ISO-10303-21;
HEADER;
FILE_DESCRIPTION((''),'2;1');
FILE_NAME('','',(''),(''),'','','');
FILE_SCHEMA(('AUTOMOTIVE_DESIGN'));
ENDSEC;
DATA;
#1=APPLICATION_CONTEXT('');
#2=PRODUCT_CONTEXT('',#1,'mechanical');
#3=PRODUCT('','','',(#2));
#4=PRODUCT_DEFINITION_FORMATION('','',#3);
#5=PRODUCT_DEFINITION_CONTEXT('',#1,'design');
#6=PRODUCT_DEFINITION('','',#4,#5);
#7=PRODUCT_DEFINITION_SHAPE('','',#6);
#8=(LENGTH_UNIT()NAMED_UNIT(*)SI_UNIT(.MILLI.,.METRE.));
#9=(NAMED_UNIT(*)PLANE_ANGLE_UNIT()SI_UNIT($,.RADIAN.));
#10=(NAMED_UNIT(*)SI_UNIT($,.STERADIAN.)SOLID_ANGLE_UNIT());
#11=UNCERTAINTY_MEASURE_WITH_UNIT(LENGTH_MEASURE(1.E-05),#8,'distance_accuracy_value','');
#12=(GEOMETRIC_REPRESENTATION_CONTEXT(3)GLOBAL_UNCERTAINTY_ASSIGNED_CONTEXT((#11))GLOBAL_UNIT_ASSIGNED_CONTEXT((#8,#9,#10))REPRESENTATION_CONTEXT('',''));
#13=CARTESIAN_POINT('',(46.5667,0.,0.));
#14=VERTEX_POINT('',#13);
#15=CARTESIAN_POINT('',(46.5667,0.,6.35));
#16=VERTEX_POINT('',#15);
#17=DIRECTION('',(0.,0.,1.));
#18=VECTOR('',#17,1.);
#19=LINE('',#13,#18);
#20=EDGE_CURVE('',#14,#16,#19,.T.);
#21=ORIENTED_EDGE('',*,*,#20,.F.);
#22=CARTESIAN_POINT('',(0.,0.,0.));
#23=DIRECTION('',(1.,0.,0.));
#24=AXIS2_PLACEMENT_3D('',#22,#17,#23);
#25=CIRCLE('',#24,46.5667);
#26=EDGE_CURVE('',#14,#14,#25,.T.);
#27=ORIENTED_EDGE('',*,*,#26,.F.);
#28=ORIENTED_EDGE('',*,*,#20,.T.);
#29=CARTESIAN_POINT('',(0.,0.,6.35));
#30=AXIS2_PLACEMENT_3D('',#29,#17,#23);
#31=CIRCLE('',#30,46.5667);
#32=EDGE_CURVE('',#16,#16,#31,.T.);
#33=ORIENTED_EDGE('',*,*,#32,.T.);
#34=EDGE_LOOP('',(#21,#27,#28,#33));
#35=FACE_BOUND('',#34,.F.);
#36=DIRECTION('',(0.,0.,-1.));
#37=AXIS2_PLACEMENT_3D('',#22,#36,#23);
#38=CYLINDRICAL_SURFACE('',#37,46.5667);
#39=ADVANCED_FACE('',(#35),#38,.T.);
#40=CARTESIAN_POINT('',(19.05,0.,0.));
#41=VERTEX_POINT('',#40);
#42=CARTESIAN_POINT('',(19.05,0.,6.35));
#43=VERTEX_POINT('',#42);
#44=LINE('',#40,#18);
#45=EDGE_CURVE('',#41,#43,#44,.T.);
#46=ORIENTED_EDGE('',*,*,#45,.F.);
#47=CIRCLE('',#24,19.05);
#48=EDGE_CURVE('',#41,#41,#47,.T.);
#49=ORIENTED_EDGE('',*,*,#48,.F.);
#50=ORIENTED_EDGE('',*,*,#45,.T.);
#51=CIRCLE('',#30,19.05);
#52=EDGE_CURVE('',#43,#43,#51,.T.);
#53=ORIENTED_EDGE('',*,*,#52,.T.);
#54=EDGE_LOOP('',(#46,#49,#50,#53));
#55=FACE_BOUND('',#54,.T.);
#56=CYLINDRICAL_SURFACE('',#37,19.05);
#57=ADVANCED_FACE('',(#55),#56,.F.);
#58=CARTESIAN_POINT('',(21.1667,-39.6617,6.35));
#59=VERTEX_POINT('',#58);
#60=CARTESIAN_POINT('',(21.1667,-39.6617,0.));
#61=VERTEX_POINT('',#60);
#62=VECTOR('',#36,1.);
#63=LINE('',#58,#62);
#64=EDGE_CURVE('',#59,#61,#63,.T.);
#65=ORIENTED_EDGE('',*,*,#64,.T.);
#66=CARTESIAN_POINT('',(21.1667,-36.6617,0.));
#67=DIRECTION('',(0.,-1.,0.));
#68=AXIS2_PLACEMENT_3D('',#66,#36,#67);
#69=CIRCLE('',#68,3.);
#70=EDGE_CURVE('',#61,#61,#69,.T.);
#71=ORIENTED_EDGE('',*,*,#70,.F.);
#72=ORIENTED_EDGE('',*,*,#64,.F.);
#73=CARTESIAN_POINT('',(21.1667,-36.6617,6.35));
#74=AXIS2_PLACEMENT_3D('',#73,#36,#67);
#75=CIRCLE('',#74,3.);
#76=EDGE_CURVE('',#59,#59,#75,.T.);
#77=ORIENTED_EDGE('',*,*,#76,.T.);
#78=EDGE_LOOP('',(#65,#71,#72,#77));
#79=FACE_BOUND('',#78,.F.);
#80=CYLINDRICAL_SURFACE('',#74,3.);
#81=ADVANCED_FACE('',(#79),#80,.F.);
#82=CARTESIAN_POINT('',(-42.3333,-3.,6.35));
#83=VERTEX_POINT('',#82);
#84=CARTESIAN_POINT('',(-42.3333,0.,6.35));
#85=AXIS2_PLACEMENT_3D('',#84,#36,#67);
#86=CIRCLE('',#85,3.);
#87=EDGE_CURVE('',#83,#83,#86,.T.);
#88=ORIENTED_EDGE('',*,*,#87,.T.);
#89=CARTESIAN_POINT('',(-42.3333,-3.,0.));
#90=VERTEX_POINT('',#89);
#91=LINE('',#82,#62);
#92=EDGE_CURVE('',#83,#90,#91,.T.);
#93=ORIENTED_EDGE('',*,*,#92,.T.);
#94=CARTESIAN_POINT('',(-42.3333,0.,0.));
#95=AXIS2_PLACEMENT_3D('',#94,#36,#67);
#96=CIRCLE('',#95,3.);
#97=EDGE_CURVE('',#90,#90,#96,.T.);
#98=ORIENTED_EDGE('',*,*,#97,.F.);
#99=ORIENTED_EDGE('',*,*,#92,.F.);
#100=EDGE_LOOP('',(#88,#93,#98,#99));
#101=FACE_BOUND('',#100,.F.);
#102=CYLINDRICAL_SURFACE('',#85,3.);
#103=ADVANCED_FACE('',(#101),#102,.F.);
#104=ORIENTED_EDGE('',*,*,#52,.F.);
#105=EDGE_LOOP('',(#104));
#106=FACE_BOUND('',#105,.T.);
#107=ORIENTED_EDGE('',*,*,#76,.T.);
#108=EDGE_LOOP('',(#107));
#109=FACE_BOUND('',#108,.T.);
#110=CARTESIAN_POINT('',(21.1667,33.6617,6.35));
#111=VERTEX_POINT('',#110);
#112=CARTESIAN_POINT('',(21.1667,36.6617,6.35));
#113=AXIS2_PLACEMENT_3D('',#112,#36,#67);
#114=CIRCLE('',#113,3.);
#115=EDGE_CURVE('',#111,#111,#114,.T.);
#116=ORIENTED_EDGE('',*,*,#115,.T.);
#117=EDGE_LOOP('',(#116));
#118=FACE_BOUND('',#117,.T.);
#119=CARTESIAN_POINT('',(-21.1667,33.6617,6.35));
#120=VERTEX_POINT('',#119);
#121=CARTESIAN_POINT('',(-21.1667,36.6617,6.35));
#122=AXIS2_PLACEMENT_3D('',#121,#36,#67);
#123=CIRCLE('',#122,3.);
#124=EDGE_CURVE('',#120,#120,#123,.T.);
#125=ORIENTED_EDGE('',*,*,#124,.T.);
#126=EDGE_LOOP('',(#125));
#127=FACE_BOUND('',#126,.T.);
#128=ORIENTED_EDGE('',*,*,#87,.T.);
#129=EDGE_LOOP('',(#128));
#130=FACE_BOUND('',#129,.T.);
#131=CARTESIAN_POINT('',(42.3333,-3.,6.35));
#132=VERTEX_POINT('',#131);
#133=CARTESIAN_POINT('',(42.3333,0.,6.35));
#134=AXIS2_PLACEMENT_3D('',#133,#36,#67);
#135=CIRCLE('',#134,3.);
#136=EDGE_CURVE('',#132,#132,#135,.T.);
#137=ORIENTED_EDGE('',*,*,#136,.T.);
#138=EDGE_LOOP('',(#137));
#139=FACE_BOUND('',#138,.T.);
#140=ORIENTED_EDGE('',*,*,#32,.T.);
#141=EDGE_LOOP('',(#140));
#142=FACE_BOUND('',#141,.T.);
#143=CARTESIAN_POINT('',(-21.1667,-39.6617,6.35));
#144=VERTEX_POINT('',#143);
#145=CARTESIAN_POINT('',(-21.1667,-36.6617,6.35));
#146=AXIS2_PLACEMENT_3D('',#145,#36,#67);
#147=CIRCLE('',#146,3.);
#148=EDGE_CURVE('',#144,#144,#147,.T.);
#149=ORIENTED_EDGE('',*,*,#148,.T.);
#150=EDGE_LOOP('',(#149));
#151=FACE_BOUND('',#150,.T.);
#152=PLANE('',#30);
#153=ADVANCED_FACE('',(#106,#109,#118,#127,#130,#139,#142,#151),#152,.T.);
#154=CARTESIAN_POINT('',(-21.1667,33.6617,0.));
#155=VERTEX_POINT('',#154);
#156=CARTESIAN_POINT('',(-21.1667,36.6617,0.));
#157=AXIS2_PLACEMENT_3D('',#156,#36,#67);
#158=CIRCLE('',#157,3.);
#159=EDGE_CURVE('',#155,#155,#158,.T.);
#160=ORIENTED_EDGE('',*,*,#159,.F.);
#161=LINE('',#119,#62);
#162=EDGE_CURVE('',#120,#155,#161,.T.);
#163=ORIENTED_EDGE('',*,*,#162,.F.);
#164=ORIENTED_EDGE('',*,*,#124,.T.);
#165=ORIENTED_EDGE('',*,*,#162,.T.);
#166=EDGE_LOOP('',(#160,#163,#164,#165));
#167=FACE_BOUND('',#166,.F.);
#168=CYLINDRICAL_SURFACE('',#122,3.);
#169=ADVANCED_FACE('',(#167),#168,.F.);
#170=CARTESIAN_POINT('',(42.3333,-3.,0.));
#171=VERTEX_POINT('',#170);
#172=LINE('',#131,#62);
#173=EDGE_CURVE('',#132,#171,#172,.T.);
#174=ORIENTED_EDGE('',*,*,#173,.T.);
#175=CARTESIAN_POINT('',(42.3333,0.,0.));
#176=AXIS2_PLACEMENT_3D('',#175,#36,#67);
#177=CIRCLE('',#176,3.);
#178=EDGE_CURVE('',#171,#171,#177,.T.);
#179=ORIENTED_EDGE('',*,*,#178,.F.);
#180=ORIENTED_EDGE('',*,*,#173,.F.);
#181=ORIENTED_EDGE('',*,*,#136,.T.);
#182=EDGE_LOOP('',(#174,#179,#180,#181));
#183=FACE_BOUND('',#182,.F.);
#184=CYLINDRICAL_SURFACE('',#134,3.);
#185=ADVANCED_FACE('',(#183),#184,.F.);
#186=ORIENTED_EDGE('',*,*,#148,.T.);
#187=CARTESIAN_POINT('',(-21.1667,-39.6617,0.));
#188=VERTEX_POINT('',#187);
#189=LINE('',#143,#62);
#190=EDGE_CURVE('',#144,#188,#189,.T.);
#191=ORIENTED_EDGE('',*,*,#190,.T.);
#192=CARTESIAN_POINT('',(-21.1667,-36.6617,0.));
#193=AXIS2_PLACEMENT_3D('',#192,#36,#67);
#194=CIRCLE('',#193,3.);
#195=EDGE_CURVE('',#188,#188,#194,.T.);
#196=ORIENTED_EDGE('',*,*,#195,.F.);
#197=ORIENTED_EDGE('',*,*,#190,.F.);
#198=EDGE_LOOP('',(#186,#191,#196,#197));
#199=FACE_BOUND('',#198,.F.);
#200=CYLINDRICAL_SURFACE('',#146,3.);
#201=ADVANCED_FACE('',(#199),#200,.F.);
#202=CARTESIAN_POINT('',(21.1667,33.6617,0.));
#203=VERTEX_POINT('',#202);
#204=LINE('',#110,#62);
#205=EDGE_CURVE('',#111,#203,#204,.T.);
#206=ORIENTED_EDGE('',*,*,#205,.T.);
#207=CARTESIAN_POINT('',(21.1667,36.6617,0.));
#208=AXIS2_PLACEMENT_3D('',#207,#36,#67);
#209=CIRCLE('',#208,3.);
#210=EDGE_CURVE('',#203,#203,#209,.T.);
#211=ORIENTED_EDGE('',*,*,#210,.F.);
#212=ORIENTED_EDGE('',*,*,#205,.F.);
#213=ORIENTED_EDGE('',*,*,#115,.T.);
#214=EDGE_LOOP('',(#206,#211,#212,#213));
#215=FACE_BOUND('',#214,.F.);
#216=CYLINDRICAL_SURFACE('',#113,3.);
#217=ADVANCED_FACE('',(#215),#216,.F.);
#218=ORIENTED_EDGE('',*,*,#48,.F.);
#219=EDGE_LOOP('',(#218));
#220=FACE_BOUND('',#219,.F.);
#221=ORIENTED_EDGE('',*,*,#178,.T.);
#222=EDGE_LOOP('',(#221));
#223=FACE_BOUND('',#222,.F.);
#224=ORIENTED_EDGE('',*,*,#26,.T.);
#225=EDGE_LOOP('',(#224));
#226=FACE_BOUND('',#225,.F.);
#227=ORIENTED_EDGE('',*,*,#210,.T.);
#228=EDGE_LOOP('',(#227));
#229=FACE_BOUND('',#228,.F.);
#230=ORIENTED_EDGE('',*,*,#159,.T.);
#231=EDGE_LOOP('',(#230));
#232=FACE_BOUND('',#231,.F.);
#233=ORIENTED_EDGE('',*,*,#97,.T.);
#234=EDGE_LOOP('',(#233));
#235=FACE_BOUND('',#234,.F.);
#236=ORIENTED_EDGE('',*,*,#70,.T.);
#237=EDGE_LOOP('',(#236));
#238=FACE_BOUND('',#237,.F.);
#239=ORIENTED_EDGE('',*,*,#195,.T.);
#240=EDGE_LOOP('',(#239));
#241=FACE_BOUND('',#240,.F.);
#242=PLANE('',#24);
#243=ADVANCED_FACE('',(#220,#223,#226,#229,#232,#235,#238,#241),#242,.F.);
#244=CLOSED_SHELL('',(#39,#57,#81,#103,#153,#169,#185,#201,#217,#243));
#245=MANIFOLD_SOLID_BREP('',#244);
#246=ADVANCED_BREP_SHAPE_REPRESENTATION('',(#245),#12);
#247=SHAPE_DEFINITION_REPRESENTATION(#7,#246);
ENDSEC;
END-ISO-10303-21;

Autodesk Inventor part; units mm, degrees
ref_plane "YZ Plane" through (0, 0, 0) normal (1, 0, 0) x (0, 1, 0)
ref_plane "XZ Plane" through (0, 0, 0) normal (0, 1, 0) x (-1, 0, 0)
ref_plane "XY Plane" through (0, 0, 0) normal (0, 0, 1) x (1, 0, 0)
sketch "Sketch1" plane through (0, 0, 0) normal (0, 0, 1) x (1, 0, 0)
  circle A0 centre (0, 0) radius 46.5667
  circle A1 centre (0, 0) radius 19.05
  dimension "d0" = 93.1333
  dimension "d1" = 38.1
extrude "Extrusion1" add sketch "Sketch1" along normal blind 6.35
sketch "Sketch2" plane through (0, 0, 6.35) normal (0, 0, 1) x (1, 0, 0)
  line L0 (21.1667, 36.6617) -> (42.3333, 0) construction
  line L1 (42.3333, 0) -> (21.1667, -36.6617) construction
  line L2 (21.1667, -36.6617) -> (-21.1667, -36.6617) construction
  line L3 (-21.1667, -36.6617) -> (-42.3333, 0) construction
  line L4 (-42.3333, 0) -> (-21.1667, 36.6617) construction
  line L5 (-21.1667, 36.6617) -> (21.1667, 36.6617) construction
  line L6 (-21.1667, 36.6617) -> (-23.2833, 40.3279) construction
  circle A0 centre (0, 0) radius 46.5667 construction
  dimension "d4" = 4.2333
hole "Hole1" at (-21.1667, 36.6617, 6.35) at (-42.3333, 0, 6.35) at (-21.1667, -36.6617, 6.35) at (42.3333, 0, 6.35) at (21.1667, -36.6617, 6.35) at (21.1667, 36.6617, 6.35) direction (0, 0, -1) diameter 6 end through all
properties part number "Stator Front"
